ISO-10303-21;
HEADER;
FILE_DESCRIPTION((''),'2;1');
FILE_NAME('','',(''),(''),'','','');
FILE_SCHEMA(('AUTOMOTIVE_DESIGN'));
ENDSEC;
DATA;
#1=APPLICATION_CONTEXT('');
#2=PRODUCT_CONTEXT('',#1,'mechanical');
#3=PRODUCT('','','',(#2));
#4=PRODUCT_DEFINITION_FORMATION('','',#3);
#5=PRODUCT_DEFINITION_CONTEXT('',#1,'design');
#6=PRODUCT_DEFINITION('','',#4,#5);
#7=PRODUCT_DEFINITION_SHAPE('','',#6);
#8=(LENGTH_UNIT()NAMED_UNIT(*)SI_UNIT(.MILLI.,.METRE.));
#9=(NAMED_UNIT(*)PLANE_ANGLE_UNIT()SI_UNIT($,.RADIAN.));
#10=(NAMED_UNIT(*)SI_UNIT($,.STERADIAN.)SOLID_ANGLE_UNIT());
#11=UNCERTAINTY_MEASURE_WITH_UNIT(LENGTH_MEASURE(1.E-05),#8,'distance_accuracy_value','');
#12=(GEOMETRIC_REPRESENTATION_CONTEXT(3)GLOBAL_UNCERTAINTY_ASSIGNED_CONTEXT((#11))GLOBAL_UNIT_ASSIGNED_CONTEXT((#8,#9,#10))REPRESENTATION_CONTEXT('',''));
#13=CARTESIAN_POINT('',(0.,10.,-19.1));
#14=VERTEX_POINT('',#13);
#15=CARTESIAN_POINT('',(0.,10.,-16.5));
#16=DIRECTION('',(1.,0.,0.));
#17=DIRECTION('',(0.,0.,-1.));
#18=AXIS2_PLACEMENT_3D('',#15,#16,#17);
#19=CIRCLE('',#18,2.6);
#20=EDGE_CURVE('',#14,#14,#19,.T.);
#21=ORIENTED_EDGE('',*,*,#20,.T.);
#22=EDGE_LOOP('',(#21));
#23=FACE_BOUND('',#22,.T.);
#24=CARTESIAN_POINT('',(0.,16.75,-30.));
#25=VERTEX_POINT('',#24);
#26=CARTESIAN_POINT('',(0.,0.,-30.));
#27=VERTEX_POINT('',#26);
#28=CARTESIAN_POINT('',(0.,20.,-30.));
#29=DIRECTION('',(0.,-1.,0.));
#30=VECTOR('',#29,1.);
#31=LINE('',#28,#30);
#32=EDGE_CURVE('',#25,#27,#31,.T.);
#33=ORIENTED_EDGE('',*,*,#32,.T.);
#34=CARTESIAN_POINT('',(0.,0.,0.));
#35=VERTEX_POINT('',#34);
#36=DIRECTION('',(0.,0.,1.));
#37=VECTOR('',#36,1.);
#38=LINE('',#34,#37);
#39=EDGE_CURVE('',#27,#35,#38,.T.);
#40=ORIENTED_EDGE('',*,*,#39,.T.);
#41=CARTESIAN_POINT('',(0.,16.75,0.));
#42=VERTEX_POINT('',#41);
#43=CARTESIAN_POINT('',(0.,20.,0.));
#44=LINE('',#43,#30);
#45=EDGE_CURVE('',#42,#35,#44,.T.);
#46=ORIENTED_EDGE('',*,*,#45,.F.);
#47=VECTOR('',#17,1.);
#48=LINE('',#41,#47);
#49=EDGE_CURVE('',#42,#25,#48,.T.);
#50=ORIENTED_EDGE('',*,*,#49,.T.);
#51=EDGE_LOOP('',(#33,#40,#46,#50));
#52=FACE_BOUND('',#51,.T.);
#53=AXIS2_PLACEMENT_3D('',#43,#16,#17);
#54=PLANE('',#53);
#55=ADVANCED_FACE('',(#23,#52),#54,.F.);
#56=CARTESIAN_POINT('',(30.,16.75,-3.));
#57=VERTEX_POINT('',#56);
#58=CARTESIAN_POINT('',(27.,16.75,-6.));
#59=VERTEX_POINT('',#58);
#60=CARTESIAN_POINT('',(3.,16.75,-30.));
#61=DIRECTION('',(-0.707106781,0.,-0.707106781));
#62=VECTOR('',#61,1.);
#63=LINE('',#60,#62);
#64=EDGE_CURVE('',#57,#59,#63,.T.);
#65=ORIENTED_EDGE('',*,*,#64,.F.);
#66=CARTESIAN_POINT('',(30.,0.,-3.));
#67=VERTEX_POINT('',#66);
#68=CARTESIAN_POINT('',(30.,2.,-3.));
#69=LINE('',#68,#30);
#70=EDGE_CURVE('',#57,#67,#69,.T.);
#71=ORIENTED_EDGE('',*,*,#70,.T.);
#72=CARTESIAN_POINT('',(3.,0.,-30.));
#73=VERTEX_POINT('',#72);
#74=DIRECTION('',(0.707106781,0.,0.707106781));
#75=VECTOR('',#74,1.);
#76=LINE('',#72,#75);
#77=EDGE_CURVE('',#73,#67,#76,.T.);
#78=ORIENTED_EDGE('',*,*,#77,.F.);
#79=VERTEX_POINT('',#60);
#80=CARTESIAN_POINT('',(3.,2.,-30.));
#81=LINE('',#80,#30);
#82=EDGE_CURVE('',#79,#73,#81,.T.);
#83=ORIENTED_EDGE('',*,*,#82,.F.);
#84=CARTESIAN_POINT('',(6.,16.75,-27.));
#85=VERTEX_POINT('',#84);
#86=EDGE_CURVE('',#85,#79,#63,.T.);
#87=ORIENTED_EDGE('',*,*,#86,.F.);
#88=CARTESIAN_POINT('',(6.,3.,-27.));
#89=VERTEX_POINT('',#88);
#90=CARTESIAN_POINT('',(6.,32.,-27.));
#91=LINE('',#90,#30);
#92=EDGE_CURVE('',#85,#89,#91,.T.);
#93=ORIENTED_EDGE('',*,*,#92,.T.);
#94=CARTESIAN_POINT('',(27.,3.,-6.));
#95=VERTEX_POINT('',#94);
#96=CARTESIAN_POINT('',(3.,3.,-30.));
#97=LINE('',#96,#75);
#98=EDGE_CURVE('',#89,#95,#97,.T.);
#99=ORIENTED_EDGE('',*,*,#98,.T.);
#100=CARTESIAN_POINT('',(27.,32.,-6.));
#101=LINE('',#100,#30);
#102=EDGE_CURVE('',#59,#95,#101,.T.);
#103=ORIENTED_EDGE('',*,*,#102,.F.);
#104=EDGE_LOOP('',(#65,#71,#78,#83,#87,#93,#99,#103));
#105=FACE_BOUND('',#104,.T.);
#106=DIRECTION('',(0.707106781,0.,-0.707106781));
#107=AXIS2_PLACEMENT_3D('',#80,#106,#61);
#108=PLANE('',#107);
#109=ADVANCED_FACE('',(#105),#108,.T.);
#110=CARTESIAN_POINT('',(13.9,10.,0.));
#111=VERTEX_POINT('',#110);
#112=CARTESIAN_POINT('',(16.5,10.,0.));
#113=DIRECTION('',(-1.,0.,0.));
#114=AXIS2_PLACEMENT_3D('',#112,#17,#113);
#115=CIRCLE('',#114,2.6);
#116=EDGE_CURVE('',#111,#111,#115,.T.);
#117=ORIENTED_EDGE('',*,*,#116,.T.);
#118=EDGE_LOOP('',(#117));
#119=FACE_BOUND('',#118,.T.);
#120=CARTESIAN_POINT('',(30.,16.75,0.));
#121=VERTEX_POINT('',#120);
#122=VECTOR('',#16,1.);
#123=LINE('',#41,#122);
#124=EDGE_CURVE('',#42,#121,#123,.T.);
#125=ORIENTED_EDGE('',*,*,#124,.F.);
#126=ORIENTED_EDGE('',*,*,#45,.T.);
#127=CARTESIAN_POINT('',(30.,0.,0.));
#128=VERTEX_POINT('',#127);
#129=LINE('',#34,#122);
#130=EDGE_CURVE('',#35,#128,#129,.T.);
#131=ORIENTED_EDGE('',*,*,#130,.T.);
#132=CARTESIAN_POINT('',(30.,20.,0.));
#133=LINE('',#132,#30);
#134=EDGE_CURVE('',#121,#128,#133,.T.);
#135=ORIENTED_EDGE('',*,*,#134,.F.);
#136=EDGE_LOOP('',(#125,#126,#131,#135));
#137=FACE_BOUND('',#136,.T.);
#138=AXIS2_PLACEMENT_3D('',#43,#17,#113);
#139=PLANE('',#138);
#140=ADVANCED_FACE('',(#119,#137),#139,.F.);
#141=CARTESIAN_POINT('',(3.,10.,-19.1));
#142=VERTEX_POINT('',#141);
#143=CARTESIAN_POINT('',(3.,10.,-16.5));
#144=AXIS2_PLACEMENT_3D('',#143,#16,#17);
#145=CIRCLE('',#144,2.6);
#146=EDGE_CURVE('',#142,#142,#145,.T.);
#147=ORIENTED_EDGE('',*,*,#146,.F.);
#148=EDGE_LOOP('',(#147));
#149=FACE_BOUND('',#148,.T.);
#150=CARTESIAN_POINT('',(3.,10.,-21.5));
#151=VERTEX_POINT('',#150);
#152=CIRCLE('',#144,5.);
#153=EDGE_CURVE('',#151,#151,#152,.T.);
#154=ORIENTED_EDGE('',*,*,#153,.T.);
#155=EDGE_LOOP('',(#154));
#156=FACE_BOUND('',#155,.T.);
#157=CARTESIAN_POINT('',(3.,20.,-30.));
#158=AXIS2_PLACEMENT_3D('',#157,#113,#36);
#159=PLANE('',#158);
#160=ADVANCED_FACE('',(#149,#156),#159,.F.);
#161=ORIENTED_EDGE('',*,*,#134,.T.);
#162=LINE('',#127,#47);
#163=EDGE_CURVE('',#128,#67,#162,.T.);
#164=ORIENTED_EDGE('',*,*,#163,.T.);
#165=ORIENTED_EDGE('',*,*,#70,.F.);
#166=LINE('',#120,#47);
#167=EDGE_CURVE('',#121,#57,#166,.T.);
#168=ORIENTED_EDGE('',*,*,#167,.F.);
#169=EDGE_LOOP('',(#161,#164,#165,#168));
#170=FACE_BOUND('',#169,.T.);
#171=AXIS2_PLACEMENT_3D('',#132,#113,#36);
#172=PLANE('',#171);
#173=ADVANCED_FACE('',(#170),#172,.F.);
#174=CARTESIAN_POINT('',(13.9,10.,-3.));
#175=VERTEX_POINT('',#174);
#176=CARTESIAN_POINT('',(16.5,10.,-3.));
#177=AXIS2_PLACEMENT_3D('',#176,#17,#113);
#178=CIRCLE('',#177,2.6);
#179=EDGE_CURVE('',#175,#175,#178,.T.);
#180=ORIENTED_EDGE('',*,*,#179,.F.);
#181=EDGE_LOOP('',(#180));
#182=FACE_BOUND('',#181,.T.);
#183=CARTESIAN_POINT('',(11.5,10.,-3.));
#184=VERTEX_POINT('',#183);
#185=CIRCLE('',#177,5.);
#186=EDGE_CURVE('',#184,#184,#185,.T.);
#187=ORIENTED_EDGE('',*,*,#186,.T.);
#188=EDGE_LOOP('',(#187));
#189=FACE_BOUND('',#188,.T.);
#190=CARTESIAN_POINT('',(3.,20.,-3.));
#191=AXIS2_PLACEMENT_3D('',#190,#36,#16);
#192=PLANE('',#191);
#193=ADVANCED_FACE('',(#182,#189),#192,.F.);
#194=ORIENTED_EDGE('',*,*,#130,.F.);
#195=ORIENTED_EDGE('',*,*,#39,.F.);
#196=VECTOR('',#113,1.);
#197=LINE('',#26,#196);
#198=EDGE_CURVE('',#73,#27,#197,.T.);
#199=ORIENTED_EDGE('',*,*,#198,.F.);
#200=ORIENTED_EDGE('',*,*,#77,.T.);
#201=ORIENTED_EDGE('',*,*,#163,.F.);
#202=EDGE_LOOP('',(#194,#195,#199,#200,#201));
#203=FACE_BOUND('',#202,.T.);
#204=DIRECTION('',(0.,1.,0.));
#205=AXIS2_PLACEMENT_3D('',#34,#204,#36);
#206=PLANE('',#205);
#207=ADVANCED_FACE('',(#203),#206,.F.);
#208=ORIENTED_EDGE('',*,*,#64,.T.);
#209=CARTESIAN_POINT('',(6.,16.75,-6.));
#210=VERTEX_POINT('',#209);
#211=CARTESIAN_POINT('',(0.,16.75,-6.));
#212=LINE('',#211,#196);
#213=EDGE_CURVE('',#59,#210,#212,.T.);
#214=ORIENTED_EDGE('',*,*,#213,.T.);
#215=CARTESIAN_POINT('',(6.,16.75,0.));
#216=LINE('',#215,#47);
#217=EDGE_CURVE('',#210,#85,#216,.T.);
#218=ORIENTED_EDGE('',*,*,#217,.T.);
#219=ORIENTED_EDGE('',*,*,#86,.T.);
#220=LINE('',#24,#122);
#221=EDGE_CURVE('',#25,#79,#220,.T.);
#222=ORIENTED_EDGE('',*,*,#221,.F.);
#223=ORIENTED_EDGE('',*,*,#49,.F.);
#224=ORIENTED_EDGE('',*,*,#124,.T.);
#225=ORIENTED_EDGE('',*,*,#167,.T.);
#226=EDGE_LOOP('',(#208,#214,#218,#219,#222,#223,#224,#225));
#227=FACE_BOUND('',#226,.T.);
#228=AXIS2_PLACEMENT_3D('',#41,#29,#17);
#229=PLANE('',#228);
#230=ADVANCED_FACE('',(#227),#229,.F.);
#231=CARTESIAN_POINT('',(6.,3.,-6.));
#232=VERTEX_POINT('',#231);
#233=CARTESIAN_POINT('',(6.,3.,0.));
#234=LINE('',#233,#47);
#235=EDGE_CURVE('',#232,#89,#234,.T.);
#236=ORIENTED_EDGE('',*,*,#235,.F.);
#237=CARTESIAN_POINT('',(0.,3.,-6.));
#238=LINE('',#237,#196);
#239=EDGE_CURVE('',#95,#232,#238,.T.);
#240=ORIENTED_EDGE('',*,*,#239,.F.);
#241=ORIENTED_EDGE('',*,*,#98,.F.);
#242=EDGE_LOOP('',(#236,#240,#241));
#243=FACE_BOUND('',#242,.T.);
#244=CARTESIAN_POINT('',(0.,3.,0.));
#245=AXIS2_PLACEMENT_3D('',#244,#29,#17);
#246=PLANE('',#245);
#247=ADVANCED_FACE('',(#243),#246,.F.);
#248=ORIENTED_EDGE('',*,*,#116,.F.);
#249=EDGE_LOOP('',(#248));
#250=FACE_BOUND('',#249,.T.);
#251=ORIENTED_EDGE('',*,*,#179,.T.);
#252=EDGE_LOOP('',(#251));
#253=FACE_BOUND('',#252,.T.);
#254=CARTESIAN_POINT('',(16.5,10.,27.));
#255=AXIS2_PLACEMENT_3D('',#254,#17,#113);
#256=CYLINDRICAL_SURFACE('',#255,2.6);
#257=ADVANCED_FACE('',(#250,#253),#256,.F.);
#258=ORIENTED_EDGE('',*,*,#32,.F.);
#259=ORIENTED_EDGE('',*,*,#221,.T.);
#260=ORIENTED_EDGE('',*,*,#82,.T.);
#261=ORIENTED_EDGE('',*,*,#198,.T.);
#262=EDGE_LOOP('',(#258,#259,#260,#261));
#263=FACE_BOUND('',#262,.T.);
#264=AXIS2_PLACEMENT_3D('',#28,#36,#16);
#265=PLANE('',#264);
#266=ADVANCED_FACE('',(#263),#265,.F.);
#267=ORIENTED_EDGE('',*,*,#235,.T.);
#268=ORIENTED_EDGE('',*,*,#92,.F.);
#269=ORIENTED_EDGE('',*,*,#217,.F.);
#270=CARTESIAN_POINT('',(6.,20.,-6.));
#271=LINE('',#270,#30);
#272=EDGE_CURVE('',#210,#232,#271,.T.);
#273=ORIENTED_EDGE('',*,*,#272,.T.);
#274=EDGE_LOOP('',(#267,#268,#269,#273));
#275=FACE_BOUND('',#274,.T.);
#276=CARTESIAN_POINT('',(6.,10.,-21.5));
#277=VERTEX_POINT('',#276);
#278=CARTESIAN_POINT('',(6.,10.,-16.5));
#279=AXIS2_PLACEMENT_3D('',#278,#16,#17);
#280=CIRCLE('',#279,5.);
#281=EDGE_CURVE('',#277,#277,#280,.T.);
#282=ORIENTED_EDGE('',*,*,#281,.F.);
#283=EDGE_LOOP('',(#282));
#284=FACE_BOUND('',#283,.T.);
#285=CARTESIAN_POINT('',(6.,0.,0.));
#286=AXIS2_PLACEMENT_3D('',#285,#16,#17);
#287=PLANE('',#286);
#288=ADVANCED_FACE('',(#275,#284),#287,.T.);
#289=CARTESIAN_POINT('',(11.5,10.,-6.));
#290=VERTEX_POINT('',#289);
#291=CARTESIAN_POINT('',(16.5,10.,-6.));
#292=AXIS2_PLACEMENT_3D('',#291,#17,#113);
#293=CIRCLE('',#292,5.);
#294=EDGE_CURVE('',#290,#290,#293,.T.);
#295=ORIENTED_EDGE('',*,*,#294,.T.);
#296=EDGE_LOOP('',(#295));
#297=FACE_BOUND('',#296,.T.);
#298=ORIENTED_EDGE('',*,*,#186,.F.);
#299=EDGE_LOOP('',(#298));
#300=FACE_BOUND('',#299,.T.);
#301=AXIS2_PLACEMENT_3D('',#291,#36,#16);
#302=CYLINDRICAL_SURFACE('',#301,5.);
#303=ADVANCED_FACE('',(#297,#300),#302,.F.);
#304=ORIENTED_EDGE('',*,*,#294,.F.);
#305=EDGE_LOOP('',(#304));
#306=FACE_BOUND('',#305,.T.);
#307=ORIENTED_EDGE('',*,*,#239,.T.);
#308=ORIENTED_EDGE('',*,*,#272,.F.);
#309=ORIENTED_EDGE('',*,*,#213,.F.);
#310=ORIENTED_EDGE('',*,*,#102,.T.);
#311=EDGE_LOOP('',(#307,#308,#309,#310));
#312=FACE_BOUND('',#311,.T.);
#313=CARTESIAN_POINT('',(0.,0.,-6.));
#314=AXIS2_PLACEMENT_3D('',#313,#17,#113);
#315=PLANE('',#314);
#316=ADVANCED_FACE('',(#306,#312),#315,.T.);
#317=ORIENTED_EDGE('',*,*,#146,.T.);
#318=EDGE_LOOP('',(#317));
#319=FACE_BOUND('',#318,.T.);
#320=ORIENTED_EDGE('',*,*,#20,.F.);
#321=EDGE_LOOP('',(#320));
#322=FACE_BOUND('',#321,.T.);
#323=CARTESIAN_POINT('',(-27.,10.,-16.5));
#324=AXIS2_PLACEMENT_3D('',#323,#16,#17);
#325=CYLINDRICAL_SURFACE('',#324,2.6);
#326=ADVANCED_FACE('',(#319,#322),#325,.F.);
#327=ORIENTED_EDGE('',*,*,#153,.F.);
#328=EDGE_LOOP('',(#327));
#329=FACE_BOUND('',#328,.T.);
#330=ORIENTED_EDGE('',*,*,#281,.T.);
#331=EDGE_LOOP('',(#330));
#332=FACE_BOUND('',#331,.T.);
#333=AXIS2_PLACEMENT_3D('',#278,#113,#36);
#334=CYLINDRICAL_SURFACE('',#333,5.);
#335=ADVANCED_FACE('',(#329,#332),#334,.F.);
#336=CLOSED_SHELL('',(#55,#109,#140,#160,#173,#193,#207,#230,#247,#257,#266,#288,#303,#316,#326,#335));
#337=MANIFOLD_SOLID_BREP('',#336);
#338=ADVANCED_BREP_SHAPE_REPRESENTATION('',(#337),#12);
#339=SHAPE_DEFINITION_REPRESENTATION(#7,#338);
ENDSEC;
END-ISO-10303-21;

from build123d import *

# Parameters (mm, degrees)
EXTRUDE_1_DEPTH     = 20
EXTRUDE_2_DEPTH     = 2
CUT_EXTRUDE_2_DEPTH = 30
CUT_EXTRUDE_3_DEPTH = 30
SKETCH_8_W          = 27
SKETCH_8_H          = 18
SKETCH_8_R          = 5
EXTRUDE_3_DEPTH     = 3
SKETCH_9_W          = 24
SKETCH_9_H          = 18
SKETCH_9_R          = 5
EXTRUDE_4_DEPTH     = 3
CUT_EXTRUDE_4_DEPTH = 30
SKETCH_12_W         = 30
SKETCH_12_H         = 3.25
CUT_EXTRUDE_5_DEPTH = 30
EXTRUDE_5_DEPTH     = 3


with BuildPart() as part:
    # 草图1 → 凸台-拉伸1 (new body)
    with BuildSketch(Plane(origin=(0, 0, 0), x_dir=(1, 0, 0), z_dir=(0, 1, 0))):
        Polygon((0, 0), (0, 30), (3, 30), (3, 3), (30, 3), (30, 0), align=None)
    extrude(amount=EXTRUDE_1_DEPTH)

    # 草图2 → 凸台-拉伸2 (add)
    with BuildSketch(Plane.XZ):
        Polygon((3, -30), (30, -3), (3, -3), align=None)
    extrude(amount=-EXTRUDE_2_DEPTH)

    # 草图5 → 切除-拉伸2 (cut)
    with BuildSketch(Plane(origin=(0, 0, -3), x_dir=(-1, 0, 0), z_dir=(0, 0, -1))):
        with BuildLine():
            ThreePointArc((-13.9, 10), (-15.685152354, 12.469012619), (-18.589248703, 11.547591632))
            Line((-18.589248703, 11.547591632), (-14.410751297, 8.452408368))
            ThreePointArc((-14.410751297, 8.452408368), (-14.030987381, 9.185152354), (-13.9, 10))
        make_face()
        with BuildLine():
            Line((-14.410751297, 8.452408368), (-18.589248703, 11.547591632))
            ThreePointArc((-18.589248703, 11.547591632), (-18.047591632, 7.910751297), (-14.410751297, 8.452408368))
        make_face()
    extrude(amount=-CUT_EXTRUDE_2_DEPTH, mode=Mode.SUBTRACT)

    # 草图7 → 切除-拉伸3 (cut)
    with BuildSketch(Plane(origin=(3, 0, 0), x_dir=(0, 0, -1), z_dir=(1, 0, 0))):
        with BuildLine():
            ThreePointArc((19.1, 10), (17.314847646, 12.469012619), (14.410751297, 11.547591632))
            Line((14.410751297, 11.547591632), (18.589248703, 8.452408368))
            ThreePointArc((18.589248703, 8.452408368), (18.969012619, 9.185152354), (19.1, 10))
        make_face()
        with BuildLine():
            Line((18.589248703, 8.452408368), (14.410751297, 11.547591632))
            ThreePointArc((14.410751297, 11.547591632), (14.952408368, 7.910751297), (18.589248703, 8.452408368))
        make_face()
    extrude(amount=-CUT_EXTRUDE_3_DEPTH, mode=Mode.SUBTRACT)

    # 草图8 → 凸台-拉伸3 (add)
    with BuildSketch(Plane(origin=(0, 0, -3), x_dir=(-1, 0, 0), z_dir=(0, 0, -1))):
        with Locations((-16.5, 11)):
            Rectangle(SKETCH_8_W, SKETCH_8_H)
        with Locations((-16.5, 10)):
            Circle(SKETCH_8_R, mode=Mode.SUBTRACT)
    extrude(amount=EXTRUDE_3_DEPTH)

    # 草图9 → 凸台-拉伸4 (add)
    with BuildSketch(Plane(origin=(3, 0, 0), x_dir=(0, 0, -1), z_dir=(1, 0, 0))):
        with Locations((18, 11)):
            Rectangle(SKETCH_9_W, SKETCH_9_H)
        with Locations((16.5, 10)):
            Circle(SKETCH_9_R, mode=Mode.SUBTRACT)
    extrude(amount=EXTRUDE_4_DEPTH)

    # 草图10 → 切除-拉伸4 (cut)
    with BuildSketch(Plane.XZ.offset(-2)):
        Polygon((3, -30), (6, -27), (6, -30), align=None)
        Polygon((27, -6), (30, -3), (30, -6), align=None)
    extrude(amount=-CUT_EXTRUDE_4_DEPTH, mode=Mode.SUBTRACT)

    # 草图12 → 切除-拉伸5 (cut)
    with BuildSketch(Plane(origin=(30, 0, 0), x_dir=(0, 0, -1), z_dir=(1, 0, 0))):
        with Locations((15, 18.375)):
            Rectangle(SKETCH_12_W, SKETCH_12_H)
    extrude(amount=-CUT_EXTRUDE_5_DEPTH, mode=Mode.SUBTRACT)

    # 草图13 → 凸台-拉伸5 (add)
    with BuildSketch(Plane.XZ):
        Polygon((3, -30), (3, -3), (30, -3), align=None)
    extrude(amount=-EXTRUDE_5_DEPTH)


solid = part.part
